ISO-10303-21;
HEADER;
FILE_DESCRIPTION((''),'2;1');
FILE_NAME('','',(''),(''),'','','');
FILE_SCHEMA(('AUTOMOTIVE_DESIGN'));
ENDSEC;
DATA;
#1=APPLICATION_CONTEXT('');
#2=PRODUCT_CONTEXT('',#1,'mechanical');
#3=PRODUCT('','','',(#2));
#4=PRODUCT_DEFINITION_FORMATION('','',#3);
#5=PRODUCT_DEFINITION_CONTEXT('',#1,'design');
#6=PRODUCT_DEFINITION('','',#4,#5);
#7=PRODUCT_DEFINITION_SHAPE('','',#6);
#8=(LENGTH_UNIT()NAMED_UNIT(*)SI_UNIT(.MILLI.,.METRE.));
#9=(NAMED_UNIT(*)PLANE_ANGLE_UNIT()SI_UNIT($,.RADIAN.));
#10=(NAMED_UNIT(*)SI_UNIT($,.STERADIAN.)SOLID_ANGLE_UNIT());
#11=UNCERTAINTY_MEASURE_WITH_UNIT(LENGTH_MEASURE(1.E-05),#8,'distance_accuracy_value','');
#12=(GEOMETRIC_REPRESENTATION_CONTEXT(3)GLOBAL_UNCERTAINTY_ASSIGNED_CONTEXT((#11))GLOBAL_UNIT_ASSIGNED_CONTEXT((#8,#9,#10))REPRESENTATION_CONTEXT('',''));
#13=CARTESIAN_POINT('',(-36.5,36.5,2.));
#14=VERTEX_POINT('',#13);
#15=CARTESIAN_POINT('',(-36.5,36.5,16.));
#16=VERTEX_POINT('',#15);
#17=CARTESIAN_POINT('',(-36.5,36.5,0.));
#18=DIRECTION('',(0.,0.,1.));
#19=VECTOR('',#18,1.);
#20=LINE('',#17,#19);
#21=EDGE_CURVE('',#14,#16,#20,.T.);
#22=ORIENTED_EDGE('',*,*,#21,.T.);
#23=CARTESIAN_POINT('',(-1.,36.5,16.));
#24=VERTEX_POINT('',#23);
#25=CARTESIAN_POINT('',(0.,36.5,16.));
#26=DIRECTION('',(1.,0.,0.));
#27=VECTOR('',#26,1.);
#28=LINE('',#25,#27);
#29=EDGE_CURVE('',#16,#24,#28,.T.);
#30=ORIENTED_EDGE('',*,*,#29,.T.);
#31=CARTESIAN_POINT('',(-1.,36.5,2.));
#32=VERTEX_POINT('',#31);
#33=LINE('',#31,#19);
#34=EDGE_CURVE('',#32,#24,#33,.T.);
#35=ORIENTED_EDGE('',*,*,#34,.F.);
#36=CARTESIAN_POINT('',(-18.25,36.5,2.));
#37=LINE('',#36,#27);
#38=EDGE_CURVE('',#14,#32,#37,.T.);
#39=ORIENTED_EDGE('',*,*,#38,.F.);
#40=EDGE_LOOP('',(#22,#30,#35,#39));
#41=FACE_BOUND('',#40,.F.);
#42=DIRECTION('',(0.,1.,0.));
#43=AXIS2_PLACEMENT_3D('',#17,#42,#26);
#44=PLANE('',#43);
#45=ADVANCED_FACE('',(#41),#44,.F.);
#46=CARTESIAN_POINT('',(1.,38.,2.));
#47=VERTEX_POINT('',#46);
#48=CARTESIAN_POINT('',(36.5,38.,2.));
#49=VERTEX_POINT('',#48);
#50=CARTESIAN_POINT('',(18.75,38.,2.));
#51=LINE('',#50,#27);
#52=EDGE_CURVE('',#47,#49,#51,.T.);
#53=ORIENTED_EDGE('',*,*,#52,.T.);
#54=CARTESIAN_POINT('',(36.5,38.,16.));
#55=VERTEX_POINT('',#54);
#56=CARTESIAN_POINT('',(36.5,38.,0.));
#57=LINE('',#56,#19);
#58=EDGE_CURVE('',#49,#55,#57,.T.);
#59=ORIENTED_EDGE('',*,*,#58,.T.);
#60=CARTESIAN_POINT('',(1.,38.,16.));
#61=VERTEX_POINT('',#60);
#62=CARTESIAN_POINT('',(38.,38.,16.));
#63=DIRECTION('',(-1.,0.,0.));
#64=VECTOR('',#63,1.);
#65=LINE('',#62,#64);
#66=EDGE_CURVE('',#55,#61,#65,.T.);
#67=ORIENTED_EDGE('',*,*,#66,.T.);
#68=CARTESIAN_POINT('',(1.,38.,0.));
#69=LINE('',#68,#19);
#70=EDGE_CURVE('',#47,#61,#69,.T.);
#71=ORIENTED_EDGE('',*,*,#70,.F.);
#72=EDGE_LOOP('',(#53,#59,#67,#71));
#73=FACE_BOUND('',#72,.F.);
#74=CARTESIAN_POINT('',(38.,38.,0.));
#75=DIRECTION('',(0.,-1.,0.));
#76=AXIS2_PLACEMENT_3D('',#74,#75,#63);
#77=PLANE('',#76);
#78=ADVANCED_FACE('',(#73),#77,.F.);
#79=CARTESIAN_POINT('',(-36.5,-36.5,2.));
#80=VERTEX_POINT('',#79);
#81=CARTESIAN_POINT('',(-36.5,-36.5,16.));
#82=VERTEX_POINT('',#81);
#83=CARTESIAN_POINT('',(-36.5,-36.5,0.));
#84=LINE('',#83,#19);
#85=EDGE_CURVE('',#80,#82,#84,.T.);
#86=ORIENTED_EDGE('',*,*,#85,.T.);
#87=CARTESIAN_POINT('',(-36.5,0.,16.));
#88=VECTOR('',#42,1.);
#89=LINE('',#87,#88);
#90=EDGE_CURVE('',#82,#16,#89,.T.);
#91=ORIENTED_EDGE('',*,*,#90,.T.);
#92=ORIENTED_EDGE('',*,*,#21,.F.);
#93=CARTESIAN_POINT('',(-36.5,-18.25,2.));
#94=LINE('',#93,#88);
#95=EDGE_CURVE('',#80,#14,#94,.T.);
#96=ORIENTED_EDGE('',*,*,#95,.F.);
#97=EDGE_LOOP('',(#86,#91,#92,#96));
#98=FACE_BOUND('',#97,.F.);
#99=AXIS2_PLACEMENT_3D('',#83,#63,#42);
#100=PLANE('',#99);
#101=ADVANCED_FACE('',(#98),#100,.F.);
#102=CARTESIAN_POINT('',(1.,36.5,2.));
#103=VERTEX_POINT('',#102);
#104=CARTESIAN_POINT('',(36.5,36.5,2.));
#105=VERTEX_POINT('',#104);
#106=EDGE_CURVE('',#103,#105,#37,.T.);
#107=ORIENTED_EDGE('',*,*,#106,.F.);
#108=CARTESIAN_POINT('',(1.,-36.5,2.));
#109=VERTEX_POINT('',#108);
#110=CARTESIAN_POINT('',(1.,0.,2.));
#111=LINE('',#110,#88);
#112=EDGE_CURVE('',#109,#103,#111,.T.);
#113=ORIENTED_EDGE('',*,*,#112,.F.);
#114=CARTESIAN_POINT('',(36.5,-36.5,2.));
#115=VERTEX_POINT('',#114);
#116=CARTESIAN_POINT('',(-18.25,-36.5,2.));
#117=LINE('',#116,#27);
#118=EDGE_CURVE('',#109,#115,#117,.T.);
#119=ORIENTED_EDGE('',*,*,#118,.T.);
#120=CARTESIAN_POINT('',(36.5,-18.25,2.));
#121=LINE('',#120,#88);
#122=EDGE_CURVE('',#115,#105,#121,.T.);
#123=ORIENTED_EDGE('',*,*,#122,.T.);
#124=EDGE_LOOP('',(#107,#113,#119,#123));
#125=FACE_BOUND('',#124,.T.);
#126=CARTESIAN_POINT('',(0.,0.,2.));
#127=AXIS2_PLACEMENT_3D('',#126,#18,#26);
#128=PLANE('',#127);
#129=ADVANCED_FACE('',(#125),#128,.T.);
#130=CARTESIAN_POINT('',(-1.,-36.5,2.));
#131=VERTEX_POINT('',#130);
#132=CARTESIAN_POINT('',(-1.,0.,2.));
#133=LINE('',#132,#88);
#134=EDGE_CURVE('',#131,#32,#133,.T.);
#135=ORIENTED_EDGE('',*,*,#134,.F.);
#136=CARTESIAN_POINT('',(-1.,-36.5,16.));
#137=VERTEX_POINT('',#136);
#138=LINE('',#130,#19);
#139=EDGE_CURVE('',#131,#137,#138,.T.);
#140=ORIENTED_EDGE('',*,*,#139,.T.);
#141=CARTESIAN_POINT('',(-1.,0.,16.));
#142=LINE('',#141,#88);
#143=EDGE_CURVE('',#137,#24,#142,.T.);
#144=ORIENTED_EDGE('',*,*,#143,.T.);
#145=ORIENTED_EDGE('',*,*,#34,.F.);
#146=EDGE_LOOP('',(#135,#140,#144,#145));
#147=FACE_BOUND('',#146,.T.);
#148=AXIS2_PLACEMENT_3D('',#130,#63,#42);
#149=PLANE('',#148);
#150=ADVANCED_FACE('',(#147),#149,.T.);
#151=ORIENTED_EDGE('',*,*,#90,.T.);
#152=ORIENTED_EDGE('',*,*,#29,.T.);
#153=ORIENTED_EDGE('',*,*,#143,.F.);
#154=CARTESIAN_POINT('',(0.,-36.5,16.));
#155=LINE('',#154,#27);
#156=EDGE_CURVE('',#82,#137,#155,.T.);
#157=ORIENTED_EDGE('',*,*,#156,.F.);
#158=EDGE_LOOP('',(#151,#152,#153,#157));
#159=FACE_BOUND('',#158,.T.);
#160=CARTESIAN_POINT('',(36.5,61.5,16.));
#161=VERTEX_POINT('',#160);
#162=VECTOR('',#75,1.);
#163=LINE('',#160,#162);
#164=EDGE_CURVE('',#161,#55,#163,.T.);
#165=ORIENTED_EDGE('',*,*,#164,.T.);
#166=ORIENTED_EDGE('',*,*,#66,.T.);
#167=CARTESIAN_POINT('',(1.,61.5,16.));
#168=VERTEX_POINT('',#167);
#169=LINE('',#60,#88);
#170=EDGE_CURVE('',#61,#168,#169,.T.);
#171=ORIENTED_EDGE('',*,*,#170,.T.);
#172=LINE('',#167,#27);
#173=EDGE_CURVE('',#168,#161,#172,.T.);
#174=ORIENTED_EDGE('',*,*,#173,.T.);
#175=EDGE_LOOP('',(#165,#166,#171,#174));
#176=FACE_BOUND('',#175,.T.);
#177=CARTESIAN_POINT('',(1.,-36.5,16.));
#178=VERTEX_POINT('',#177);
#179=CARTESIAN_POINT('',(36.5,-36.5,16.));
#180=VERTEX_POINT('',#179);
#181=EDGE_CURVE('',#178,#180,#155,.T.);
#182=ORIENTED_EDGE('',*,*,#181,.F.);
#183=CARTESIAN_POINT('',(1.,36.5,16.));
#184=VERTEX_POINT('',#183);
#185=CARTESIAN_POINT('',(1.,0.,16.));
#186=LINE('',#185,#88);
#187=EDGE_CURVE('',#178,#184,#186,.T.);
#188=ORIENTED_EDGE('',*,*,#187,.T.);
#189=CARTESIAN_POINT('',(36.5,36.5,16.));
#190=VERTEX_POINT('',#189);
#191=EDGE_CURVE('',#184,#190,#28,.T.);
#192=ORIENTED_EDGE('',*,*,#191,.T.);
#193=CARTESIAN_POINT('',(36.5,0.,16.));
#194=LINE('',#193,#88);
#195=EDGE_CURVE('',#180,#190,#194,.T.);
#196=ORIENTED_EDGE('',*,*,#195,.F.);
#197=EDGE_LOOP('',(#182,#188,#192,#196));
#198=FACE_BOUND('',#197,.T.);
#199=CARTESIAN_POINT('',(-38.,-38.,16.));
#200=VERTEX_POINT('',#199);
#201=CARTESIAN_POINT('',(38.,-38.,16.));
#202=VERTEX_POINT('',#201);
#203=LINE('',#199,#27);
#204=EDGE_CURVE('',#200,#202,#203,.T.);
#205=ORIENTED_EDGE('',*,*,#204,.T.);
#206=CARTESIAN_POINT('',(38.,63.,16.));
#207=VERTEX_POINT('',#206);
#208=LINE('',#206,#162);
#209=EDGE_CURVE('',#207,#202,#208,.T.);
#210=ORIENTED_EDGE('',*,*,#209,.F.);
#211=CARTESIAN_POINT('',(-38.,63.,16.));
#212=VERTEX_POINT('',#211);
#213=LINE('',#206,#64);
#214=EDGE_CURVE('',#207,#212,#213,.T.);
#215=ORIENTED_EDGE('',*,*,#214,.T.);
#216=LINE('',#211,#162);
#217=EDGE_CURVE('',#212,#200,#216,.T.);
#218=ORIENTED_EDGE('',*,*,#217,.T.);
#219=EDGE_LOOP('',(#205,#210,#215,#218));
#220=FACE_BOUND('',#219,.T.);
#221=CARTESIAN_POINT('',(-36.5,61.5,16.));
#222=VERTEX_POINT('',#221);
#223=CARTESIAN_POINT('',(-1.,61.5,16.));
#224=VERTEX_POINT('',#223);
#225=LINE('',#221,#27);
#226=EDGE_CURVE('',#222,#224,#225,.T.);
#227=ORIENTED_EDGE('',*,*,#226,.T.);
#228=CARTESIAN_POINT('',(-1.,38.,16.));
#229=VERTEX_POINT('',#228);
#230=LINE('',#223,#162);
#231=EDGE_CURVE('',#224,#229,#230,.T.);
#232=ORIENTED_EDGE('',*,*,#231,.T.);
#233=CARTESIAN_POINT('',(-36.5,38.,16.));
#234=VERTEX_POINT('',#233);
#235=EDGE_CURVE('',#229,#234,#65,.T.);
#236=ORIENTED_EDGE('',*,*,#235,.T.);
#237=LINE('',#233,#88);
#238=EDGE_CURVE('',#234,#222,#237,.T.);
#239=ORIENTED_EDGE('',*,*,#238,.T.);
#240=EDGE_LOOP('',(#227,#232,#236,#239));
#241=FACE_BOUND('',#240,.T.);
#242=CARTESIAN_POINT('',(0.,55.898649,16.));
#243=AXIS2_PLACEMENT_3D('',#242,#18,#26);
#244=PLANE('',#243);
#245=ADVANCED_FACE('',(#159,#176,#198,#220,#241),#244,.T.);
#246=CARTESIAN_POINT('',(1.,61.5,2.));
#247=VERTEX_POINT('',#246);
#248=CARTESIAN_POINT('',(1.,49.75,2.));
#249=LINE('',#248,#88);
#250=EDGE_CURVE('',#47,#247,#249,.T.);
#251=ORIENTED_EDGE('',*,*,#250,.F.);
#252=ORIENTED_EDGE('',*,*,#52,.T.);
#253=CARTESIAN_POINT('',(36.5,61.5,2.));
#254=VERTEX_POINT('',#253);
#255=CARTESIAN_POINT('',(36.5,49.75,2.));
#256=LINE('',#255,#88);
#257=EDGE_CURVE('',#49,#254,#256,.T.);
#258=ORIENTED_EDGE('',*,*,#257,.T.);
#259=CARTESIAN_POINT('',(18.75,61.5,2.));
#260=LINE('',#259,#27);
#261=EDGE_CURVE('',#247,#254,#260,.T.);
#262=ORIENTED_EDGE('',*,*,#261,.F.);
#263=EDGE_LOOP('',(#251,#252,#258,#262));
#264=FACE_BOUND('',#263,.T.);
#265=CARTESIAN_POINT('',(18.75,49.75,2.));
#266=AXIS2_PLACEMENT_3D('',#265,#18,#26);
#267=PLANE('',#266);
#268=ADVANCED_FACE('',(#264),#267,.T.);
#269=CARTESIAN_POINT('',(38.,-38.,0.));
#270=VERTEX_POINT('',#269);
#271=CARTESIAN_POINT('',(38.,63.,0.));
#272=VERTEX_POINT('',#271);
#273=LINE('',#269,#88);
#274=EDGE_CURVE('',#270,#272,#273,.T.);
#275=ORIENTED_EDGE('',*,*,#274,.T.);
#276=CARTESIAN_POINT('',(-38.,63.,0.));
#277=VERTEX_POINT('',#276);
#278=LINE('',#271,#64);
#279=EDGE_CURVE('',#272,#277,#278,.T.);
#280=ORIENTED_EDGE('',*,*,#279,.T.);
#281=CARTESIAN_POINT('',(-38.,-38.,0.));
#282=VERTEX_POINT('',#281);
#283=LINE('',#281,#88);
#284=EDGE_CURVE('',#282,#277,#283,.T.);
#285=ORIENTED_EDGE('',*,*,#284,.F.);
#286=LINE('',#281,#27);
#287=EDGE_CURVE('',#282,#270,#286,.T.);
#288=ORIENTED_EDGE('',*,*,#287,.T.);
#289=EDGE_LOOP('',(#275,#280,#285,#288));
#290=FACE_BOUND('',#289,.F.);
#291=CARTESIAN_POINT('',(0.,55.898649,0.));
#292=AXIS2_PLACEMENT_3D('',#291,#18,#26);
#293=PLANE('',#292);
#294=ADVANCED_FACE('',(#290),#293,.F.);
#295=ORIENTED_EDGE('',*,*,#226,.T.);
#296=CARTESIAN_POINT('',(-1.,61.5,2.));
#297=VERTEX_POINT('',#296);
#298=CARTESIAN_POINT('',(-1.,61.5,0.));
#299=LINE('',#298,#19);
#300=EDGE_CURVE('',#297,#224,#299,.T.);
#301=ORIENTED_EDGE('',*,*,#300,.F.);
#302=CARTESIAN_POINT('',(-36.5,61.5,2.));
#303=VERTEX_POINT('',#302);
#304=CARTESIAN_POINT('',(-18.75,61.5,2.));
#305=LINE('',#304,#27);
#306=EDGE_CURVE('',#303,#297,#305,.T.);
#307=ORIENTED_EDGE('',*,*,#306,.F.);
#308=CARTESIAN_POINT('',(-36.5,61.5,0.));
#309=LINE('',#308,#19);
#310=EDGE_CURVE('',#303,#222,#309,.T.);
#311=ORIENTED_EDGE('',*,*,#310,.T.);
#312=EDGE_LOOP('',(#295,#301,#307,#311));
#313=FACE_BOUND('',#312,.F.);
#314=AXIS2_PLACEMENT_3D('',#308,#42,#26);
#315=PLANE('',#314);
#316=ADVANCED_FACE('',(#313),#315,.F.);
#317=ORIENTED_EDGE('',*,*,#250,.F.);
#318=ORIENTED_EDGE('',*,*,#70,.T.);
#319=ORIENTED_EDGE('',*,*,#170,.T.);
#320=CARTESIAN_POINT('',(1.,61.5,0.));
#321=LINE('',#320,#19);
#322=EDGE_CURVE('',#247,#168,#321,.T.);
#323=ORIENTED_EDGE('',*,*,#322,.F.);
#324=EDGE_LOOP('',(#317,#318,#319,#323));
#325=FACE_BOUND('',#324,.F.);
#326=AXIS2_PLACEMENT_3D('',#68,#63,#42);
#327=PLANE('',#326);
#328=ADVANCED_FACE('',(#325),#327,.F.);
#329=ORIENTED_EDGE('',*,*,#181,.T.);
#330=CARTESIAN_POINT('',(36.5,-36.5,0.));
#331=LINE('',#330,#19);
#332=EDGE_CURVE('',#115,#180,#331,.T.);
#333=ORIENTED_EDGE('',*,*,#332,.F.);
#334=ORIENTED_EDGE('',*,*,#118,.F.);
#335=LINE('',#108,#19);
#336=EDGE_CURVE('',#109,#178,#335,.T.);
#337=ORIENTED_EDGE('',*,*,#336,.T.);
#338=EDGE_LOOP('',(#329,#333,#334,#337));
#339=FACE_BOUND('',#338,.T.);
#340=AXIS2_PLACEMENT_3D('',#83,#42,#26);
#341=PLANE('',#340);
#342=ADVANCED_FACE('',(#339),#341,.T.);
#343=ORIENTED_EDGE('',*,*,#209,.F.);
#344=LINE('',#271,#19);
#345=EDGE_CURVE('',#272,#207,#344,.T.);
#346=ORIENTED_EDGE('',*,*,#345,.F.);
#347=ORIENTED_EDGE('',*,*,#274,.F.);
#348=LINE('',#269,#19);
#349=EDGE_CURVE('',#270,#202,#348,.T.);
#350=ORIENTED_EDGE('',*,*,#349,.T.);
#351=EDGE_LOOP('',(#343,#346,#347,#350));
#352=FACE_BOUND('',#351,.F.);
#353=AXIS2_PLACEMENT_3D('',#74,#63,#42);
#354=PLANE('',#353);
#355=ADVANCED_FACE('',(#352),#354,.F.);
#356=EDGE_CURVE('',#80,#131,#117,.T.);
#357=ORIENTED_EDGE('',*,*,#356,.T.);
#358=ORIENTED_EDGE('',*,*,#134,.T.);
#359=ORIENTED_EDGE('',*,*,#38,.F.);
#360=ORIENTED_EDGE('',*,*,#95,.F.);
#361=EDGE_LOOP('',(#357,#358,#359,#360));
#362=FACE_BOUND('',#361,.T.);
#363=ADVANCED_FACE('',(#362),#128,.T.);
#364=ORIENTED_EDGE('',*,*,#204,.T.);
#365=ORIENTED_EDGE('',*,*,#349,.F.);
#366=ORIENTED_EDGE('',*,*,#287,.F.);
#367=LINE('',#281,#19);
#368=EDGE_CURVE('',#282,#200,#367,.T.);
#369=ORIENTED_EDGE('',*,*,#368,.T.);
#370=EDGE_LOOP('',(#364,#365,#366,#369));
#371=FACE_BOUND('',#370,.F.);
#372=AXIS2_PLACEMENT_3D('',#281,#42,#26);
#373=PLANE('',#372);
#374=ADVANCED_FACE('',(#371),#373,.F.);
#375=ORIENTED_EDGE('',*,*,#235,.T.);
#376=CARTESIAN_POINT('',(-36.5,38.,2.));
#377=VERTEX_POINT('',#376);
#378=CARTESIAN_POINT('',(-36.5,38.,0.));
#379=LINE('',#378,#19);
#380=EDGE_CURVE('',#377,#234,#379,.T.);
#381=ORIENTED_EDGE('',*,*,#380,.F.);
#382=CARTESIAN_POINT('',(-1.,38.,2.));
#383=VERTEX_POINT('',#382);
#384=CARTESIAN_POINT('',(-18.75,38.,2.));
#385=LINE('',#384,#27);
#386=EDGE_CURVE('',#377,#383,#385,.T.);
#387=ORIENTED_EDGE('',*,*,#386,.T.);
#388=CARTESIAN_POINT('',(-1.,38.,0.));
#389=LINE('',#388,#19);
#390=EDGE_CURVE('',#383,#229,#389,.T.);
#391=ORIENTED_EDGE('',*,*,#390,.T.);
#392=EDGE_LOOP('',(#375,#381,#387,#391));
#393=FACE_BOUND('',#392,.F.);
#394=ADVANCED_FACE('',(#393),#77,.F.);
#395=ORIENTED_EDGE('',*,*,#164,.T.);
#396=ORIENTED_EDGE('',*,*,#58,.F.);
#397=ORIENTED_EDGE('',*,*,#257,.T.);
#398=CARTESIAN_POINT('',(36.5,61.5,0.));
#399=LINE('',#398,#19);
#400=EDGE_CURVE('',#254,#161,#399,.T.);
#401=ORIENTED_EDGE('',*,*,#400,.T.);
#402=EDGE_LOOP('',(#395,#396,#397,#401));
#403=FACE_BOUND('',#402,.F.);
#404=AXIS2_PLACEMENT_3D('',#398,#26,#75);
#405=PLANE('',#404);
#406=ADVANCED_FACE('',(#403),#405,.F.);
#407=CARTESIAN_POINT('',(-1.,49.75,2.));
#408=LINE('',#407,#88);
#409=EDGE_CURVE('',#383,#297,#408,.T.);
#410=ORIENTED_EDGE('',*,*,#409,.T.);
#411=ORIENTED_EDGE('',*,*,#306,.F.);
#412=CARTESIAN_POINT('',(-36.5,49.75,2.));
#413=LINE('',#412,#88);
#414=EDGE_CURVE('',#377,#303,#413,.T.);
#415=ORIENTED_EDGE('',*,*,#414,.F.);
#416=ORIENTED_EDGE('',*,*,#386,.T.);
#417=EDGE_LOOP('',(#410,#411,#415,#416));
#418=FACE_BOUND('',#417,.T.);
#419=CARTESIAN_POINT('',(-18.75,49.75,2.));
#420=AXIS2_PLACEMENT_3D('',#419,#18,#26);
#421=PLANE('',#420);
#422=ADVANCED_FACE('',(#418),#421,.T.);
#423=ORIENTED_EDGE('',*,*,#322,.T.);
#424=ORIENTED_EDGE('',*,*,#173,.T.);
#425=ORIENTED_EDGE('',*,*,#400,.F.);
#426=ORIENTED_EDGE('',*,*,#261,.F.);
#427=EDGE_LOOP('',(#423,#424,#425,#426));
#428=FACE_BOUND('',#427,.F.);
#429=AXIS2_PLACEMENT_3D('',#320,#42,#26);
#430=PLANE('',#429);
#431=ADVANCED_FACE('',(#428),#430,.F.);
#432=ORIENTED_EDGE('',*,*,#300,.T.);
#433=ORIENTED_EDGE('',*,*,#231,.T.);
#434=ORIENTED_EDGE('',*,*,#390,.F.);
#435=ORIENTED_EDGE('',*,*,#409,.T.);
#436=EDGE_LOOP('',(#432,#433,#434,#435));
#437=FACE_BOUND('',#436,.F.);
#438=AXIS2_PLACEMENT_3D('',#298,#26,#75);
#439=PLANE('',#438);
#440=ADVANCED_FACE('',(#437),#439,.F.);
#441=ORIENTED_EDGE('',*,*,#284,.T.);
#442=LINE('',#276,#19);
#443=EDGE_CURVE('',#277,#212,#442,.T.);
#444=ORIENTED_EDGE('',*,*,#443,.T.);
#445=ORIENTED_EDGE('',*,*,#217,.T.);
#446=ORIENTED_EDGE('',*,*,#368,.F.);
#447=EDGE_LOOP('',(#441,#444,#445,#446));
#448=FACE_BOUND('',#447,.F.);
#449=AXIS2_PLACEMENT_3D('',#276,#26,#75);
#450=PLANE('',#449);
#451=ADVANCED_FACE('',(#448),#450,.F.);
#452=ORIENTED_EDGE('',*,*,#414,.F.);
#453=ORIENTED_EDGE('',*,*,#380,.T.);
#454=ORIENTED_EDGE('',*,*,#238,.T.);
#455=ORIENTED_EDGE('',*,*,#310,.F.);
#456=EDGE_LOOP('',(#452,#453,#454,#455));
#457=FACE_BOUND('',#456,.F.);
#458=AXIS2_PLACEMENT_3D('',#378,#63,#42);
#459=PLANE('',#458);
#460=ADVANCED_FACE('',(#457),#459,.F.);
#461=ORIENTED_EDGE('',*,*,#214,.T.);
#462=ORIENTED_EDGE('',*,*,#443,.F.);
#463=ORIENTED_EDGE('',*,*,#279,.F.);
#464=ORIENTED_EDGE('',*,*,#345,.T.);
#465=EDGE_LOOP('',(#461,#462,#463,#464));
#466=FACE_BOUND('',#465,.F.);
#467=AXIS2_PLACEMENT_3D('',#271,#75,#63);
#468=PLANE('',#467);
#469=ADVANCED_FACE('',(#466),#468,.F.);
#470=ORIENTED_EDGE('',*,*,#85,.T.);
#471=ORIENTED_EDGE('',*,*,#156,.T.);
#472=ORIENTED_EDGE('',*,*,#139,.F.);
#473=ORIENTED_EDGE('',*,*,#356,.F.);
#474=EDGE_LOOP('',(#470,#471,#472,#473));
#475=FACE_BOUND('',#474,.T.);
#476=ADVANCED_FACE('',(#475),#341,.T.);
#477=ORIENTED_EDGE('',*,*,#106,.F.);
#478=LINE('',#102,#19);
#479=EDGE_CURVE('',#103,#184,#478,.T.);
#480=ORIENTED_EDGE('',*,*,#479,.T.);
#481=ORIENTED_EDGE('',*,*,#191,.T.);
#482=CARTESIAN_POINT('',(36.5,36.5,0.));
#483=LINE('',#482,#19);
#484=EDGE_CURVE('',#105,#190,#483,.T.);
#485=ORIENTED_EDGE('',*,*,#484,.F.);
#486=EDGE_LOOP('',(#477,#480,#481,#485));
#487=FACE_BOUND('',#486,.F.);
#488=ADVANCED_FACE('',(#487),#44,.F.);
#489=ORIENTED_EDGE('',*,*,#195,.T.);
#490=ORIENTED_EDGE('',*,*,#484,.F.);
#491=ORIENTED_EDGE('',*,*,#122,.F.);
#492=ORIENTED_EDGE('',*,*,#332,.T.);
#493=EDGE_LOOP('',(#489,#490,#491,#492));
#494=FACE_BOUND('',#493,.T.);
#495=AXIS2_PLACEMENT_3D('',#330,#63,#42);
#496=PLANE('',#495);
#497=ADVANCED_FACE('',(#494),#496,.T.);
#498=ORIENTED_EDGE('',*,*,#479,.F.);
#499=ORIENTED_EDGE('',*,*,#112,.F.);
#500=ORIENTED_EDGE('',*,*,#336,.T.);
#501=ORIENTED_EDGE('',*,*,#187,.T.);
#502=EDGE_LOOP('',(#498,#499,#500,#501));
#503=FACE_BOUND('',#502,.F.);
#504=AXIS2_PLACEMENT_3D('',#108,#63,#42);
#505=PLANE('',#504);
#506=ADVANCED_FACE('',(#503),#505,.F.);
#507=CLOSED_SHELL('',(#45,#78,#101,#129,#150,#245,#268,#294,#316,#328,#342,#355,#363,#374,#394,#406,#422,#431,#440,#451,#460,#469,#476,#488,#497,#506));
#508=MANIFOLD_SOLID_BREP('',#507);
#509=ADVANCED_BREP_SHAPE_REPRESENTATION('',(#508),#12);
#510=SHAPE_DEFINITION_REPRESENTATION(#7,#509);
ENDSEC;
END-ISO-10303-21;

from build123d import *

# Parameters (mm, degrees)
F1_W     = 73
F1_H     = 73
F2_DEPTH = 16
F3_DEPTH = 2
F4_W     = 2
F4_H     = 73
F5_DEPTH = 14
F0_W     = 35.5
F0_H     = 23.5
F6_DEPTH = 2
F7_DEPTH = 2
F8_DEPTH = 16


with BuildPart() as f2:
    # F1 (on face) → F2 (new body)
    with BuildSketch(Plane.XY):
        Polygon((-38, 38), (-38, -38), (38, -38), (38, 38), (36.5, 38), (1, 38), (-1, 38), (-36.5, 38), align=None)
        Rectangle(F1_W, F1_H, mode=Mode.SUBTRACT)
    extrude(amount=F2_DEPTH)

    # F0 (on Top) → F3 (join)
    with BuildSketch(Plane.XY):
        Polygon((-38, -38), (38, -38), (38, 38), (36.5, 38), (1, 38), (-1, 38), (-36.5, 38), (-38, 38), align=None)
    extrude(amount=F3_DEPTH)

    # F4 (on face) → F5 (join)
    with BuildSketch(Plane.XY.offset(2)):
        Rectangle(F4_W, F4_H)
    extrude(amount=F5_DEPTH)

    # F0 (on Top) → F6 (join)
    with BuildSketch(Plane.XY):
        with Locations((-18.75, 49.75)):
            Rectangle(F0_W, F0_H)
    extrude(amount=F6_DEPTH)

    # F0 (on Top) → F7 (join)
    with BuildSketch(Plane.XY):
        with Locations((18.75, 49.75)):
            Rectangle(F0_W, F0_H)
    extrude(amount=F7_DEPTH)

    # F0 (on Top) → F8 (join)
    with BuildSketch(Plane.XY):
        Polygon((36.5, 38), (38, 38), (38, 63), (-38, 63), (-38, 38), (-36.5, 38), (-36.5, 61.5), (-1, 61.5), (-1, 38), (1, 38), (1, 61.5), (36.5, 61.5), align=None)
    extrude(amount=F8_DEPTH)


solid = f2.part
